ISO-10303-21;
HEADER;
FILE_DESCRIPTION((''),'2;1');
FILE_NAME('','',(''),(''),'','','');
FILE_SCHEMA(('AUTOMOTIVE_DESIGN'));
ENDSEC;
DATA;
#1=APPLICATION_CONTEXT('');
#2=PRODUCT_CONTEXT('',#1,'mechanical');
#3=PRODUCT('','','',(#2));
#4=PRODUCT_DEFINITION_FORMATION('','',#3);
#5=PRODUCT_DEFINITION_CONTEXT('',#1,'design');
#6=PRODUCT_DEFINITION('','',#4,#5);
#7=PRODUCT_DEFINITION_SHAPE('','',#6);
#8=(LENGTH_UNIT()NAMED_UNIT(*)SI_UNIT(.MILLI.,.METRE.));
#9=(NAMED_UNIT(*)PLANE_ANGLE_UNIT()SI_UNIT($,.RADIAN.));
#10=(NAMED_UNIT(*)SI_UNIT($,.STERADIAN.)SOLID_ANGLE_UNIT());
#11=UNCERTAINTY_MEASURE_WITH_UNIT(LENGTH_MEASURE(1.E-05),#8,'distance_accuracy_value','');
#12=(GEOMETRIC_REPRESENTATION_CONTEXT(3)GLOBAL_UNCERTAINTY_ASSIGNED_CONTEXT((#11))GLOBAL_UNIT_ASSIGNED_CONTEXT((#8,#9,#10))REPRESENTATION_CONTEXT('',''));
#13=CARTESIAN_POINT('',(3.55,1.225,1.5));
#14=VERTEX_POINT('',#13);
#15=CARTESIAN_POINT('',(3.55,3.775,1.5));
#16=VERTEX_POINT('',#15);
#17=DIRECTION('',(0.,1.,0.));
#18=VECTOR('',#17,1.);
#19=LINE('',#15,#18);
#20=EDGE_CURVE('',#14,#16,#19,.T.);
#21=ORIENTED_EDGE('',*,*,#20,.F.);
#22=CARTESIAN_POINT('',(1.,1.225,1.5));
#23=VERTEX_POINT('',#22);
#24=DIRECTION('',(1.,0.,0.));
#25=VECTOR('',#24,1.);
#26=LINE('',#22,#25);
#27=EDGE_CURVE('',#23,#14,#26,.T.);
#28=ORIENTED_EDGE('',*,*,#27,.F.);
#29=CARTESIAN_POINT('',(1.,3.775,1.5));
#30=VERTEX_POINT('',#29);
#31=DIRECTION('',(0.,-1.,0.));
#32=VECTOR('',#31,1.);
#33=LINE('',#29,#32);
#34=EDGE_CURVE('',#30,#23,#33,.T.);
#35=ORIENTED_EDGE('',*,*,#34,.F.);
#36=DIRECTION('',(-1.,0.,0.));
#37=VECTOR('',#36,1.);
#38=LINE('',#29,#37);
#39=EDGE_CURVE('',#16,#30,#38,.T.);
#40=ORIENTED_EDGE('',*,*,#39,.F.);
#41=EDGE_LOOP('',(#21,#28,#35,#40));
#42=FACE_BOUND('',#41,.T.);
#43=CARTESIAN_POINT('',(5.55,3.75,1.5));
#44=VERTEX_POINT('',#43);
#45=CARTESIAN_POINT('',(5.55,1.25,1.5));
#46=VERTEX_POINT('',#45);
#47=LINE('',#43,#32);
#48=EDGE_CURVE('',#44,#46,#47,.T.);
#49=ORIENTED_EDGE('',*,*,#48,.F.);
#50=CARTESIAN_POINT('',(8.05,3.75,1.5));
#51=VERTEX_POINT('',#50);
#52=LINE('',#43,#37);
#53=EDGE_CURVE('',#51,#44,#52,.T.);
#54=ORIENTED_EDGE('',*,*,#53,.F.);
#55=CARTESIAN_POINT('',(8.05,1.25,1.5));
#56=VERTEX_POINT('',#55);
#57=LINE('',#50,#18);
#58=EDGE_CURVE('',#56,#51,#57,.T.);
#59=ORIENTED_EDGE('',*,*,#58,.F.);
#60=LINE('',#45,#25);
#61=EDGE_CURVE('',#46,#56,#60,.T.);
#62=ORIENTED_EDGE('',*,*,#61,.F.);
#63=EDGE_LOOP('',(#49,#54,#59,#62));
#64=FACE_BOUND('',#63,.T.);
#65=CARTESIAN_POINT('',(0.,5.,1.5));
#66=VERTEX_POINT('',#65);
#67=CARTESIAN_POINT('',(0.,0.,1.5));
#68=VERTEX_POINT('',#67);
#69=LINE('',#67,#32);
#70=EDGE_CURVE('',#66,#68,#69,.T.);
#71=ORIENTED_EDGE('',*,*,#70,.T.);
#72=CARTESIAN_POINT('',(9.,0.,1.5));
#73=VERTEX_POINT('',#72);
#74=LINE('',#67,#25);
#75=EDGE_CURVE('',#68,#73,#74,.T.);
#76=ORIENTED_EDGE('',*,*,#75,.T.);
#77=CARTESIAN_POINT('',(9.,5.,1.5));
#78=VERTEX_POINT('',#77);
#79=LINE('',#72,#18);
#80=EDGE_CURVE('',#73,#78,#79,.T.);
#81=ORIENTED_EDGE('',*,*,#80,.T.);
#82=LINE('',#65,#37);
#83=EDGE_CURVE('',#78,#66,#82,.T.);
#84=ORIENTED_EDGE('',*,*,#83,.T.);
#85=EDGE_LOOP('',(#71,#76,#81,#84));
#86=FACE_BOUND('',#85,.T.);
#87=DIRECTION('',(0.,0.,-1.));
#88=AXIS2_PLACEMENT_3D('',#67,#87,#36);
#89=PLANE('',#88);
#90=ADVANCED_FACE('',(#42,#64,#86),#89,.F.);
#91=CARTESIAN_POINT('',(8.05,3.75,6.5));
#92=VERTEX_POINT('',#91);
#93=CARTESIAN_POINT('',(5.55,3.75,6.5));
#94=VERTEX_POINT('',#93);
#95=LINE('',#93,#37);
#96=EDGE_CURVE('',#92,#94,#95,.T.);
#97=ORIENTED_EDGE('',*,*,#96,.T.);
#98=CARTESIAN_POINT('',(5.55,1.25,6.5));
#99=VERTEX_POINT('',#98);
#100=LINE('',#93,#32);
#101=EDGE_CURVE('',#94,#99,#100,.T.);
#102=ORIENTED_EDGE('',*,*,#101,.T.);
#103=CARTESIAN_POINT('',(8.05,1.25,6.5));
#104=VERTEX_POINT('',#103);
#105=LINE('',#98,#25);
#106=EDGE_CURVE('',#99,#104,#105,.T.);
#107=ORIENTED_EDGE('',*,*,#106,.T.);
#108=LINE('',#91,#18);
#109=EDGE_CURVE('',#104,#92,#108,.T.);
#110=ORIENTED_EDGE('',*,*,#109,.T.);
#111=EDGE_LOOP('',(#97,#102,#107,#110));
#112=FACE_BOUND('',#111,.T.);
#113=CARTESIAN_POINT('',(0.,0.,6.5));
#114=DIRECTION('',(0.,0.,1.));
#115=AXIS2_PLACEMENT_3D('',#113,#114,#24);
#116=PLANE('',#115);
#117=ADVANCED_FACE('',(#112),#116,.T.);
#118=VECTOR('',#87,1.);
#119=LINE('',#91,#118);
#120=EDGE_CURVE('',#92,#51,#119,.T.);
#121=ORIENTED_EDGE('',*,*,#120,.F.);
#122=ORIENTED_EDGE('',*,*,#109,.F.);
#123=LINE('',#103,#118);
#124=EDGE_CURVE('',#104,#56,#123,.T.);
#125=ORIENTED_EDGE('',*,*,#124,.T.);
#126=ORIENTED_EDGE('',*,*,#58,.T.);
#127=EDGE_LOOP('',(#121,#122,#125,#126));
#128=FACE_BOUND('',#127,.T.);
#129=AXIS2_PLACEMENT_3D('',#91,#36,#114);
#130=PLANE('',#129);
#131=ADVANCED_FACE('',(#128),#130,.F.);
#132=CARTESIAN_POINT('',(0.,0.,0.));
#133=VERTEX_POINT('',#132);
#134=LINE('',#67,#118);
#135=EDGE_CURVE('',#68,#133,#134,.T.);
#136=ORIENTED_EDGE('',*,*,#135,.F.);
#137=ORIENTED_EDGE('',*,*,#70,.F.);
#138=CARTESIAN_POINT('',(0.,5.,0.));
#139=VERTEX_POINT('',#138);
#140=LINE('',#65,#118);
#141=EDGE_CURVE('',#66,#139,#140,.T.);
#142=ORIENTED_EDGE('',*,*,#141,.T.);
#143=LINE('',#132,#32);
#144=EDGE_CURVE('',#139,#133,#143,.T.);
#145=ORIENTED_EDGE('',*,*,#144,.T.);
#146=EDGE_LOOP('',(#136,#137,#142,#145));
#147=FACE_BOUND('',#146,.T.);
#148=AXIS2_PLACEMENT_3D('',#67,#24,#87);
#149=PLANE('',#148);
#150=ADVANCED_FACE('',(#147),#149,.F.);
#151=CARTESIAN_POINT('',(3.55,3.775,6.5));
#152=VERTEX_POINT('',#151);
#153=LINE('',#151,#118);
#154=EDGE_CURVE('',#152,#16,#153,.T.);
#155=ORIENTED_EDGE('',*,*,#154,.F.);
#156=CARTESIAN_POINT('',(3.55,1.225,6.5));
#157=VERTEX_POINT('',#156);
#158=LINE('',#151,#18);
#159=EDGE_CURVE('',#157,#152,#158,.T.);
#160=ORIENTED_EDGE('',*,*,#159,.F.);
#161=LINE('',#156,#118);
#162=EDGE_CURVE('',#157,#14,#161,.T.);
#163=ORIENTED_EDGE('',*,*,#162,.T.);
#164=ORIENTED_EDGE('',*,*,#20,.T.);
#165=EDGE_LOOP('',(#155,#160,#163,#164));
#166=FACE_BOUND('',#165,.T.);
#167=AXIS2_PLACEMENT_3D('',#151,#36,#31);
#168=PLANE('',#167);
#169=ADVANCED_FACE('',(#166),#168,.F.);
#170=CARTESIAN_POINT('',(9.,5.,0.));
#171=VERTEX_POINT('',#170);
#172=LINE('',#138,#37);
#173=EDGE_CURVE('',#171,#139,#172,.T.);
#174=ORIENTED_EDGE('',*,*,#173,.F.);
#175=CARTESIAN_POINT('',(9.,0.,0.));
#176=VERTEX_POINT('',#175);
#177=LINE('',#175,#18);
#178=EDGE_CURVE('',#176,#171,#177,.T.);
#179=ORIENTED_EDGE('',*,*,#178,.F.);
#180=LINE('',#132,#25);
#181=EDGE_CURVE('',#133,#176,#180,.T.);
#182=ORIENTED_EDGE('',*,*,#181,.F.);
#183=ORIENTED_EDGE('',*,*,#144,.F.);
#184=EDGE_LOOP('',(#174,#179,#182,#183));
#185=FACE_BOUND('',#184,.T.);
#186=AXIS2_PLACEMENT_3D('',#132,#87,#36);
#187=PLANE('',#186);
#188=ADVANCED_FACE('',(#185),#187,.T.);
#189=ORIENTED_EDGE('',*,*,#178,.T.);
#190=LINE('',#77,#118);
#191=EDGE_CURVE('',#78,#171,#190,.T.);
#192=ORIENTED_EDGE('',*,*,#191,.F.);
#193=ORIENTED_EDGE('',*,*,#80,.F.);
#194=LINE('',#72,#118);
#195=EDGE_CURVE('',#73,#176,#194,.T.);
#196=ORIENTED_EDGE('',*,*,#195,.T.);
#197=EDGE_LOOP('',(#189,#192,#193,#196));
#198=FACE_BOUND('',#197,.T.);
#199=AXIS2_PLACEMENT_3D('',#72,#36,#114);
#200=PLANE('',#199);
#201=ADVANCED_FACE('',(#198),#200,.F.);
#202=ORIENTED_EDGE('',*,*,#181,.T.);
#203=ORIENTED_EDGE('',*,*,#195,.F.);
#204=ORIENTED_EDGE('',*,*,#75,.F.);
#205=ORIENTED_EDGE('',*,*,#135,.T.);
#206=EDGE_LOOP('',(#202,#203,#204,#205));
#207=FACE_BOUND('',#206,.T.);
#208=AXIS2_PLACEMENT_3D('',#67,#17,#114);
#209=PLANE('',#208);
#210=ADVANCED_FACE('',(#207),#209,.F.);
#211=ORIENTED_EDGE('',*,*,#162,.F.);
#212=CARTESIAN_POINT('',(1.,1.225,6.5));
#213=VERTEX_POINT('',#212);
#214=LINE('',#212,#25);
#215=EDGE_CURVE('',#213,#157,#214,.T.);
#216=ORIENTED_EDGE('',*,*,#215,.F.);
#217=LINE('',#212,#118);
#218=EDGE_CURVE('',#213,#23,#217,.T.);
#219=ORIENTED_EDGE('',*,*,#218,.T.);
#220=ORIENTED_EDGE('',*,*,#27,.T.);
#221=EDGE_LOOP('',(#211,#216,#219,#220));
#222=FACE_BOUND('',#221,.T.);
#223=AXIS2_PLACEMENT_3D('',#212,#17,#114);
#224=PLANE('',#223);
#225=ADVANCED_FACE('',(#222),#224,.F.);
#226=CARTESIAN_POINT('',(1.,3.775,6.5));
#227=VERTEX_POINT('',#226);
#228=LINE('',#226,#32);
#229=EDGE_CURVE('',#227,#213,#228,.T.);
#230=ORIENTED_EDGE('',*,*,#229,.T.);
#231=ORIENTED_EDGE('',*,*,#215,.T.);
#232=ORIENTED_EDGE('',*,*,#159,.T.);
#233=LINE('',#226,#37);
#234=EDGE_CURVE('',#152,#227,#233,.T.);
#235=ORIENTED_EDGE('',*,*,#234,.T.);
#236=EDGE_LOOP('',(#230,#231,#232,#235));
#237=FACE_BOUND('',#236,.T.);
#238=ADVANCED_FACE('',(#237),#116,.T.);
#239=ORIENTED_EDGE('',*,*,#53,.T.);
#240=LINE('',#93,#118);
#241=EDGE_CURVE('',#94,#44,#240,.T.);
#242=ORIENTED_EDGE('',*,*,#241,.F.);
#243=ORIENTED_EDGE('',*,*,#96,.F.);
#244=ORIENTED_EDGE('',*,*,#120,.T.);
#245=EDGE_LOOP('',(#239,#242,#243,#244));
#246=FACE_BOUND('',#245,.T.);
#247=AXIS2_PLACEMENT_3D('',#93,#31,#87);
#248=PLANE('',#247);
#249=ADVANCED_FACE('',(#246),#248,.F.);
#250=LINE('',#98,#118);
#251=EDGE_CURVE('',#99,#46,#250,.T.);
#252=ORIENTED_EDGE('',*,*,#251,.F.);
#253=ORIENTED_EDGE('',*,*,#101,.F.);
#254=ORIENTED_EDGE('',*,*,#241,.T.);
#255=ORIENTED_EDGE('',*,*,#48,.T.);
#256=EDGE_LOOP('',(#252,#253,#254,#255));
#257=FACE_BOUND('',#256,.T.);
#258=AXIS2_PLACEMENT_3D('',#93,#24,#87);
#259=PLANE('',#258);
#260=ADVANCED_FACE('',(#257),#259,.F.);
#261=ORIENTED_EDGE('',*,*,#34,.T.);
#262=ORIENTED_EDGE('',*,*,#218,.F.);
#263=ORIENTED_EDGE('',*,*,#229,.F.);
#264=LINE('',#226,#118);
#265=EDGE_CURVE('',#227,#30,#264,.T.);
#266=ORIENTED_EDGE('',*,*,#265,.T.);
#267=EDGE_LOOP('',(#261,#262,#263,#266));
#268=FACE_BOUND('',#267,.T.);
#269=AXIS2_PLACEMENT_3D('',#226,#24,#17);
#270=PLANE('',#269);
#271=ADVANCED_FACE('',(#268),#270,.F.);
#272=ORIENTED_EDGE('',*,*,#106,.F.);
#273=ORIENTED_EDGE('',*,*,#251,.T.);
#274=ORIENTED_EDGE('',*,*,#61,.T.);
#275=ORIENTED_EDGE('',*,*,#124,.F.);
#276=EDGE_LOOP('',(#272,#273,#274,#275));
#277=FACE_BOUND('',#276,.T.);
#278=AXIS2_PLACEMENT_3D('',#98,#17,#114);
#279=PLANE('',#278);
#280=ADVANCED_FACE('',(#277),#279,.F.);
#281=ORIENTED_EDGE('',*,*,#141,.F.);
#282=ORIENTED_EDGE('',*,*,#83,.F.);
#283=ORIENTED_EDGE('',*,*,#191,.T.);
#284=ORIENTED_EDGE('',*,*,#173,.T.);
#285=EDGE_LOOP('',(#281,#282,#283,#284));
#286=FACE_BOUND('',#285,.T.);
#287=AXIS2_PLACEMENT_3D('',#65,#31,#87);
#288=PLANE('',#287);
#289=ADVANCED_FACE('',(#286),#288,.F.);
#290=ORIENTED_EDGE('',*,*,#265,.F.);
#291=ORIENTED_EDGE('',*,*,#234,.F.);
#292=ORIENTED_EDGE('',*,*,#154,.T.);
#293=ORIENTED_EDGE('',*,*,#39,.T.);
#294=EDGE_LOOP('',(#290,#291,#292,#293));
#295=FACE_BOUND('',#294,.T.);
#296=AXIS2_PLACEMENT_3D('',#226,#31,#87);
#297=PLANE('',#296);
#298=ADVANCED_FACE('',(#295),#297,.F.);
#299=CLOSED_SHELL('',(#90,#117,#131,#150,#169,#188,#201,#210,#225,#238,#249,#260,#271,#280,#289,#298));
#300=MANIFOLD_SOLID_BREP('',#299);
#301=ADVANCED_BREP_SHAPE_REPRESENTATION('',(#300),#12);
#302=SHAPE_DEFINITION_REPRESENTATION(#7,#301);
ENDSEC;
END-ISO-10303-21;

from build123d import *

# Parameters (mm, degrees)
SKETCH1_W           = 9
SKETCH1_H           = 5
BOSS_EXTRUDE1_DEPTH = 1.5
SKETCH2_W           = 2.55
SKETCH2_H           = 2.55
SKETCH2_W_2         = 2.5
SKETCH2_H_2         = 2.5
BOSS_EXTRUDE2_DEPTH = 5


with BuildPart() as part:
    # Sketch1 → Boss-Extrude1 (new body)
    with BuildSketch(Plane.XY):
        with Locations((4.5, 2.5)):
            Rectangle(SKETCH1_W, SKETCH1_H)
    extrude(amount=BOSS_EXTRUDE1_DEPTH)

    # Sketch2 → Boss-Extrude2 (add)
    with BuildSketch(Plane.XY.offset(1.5)):
        with Locations((2.275, 2.5)):
            Rectangle(SKETCH2_W, SKETCH2_H)
        with Locations((6.8, 2.5)):
            Rectangle(SKETCH2_W_2, SKETCH2_H_2)
    extrude(amount=BOSS_EXTRUDE2_DEPTH)


solid = part.part
